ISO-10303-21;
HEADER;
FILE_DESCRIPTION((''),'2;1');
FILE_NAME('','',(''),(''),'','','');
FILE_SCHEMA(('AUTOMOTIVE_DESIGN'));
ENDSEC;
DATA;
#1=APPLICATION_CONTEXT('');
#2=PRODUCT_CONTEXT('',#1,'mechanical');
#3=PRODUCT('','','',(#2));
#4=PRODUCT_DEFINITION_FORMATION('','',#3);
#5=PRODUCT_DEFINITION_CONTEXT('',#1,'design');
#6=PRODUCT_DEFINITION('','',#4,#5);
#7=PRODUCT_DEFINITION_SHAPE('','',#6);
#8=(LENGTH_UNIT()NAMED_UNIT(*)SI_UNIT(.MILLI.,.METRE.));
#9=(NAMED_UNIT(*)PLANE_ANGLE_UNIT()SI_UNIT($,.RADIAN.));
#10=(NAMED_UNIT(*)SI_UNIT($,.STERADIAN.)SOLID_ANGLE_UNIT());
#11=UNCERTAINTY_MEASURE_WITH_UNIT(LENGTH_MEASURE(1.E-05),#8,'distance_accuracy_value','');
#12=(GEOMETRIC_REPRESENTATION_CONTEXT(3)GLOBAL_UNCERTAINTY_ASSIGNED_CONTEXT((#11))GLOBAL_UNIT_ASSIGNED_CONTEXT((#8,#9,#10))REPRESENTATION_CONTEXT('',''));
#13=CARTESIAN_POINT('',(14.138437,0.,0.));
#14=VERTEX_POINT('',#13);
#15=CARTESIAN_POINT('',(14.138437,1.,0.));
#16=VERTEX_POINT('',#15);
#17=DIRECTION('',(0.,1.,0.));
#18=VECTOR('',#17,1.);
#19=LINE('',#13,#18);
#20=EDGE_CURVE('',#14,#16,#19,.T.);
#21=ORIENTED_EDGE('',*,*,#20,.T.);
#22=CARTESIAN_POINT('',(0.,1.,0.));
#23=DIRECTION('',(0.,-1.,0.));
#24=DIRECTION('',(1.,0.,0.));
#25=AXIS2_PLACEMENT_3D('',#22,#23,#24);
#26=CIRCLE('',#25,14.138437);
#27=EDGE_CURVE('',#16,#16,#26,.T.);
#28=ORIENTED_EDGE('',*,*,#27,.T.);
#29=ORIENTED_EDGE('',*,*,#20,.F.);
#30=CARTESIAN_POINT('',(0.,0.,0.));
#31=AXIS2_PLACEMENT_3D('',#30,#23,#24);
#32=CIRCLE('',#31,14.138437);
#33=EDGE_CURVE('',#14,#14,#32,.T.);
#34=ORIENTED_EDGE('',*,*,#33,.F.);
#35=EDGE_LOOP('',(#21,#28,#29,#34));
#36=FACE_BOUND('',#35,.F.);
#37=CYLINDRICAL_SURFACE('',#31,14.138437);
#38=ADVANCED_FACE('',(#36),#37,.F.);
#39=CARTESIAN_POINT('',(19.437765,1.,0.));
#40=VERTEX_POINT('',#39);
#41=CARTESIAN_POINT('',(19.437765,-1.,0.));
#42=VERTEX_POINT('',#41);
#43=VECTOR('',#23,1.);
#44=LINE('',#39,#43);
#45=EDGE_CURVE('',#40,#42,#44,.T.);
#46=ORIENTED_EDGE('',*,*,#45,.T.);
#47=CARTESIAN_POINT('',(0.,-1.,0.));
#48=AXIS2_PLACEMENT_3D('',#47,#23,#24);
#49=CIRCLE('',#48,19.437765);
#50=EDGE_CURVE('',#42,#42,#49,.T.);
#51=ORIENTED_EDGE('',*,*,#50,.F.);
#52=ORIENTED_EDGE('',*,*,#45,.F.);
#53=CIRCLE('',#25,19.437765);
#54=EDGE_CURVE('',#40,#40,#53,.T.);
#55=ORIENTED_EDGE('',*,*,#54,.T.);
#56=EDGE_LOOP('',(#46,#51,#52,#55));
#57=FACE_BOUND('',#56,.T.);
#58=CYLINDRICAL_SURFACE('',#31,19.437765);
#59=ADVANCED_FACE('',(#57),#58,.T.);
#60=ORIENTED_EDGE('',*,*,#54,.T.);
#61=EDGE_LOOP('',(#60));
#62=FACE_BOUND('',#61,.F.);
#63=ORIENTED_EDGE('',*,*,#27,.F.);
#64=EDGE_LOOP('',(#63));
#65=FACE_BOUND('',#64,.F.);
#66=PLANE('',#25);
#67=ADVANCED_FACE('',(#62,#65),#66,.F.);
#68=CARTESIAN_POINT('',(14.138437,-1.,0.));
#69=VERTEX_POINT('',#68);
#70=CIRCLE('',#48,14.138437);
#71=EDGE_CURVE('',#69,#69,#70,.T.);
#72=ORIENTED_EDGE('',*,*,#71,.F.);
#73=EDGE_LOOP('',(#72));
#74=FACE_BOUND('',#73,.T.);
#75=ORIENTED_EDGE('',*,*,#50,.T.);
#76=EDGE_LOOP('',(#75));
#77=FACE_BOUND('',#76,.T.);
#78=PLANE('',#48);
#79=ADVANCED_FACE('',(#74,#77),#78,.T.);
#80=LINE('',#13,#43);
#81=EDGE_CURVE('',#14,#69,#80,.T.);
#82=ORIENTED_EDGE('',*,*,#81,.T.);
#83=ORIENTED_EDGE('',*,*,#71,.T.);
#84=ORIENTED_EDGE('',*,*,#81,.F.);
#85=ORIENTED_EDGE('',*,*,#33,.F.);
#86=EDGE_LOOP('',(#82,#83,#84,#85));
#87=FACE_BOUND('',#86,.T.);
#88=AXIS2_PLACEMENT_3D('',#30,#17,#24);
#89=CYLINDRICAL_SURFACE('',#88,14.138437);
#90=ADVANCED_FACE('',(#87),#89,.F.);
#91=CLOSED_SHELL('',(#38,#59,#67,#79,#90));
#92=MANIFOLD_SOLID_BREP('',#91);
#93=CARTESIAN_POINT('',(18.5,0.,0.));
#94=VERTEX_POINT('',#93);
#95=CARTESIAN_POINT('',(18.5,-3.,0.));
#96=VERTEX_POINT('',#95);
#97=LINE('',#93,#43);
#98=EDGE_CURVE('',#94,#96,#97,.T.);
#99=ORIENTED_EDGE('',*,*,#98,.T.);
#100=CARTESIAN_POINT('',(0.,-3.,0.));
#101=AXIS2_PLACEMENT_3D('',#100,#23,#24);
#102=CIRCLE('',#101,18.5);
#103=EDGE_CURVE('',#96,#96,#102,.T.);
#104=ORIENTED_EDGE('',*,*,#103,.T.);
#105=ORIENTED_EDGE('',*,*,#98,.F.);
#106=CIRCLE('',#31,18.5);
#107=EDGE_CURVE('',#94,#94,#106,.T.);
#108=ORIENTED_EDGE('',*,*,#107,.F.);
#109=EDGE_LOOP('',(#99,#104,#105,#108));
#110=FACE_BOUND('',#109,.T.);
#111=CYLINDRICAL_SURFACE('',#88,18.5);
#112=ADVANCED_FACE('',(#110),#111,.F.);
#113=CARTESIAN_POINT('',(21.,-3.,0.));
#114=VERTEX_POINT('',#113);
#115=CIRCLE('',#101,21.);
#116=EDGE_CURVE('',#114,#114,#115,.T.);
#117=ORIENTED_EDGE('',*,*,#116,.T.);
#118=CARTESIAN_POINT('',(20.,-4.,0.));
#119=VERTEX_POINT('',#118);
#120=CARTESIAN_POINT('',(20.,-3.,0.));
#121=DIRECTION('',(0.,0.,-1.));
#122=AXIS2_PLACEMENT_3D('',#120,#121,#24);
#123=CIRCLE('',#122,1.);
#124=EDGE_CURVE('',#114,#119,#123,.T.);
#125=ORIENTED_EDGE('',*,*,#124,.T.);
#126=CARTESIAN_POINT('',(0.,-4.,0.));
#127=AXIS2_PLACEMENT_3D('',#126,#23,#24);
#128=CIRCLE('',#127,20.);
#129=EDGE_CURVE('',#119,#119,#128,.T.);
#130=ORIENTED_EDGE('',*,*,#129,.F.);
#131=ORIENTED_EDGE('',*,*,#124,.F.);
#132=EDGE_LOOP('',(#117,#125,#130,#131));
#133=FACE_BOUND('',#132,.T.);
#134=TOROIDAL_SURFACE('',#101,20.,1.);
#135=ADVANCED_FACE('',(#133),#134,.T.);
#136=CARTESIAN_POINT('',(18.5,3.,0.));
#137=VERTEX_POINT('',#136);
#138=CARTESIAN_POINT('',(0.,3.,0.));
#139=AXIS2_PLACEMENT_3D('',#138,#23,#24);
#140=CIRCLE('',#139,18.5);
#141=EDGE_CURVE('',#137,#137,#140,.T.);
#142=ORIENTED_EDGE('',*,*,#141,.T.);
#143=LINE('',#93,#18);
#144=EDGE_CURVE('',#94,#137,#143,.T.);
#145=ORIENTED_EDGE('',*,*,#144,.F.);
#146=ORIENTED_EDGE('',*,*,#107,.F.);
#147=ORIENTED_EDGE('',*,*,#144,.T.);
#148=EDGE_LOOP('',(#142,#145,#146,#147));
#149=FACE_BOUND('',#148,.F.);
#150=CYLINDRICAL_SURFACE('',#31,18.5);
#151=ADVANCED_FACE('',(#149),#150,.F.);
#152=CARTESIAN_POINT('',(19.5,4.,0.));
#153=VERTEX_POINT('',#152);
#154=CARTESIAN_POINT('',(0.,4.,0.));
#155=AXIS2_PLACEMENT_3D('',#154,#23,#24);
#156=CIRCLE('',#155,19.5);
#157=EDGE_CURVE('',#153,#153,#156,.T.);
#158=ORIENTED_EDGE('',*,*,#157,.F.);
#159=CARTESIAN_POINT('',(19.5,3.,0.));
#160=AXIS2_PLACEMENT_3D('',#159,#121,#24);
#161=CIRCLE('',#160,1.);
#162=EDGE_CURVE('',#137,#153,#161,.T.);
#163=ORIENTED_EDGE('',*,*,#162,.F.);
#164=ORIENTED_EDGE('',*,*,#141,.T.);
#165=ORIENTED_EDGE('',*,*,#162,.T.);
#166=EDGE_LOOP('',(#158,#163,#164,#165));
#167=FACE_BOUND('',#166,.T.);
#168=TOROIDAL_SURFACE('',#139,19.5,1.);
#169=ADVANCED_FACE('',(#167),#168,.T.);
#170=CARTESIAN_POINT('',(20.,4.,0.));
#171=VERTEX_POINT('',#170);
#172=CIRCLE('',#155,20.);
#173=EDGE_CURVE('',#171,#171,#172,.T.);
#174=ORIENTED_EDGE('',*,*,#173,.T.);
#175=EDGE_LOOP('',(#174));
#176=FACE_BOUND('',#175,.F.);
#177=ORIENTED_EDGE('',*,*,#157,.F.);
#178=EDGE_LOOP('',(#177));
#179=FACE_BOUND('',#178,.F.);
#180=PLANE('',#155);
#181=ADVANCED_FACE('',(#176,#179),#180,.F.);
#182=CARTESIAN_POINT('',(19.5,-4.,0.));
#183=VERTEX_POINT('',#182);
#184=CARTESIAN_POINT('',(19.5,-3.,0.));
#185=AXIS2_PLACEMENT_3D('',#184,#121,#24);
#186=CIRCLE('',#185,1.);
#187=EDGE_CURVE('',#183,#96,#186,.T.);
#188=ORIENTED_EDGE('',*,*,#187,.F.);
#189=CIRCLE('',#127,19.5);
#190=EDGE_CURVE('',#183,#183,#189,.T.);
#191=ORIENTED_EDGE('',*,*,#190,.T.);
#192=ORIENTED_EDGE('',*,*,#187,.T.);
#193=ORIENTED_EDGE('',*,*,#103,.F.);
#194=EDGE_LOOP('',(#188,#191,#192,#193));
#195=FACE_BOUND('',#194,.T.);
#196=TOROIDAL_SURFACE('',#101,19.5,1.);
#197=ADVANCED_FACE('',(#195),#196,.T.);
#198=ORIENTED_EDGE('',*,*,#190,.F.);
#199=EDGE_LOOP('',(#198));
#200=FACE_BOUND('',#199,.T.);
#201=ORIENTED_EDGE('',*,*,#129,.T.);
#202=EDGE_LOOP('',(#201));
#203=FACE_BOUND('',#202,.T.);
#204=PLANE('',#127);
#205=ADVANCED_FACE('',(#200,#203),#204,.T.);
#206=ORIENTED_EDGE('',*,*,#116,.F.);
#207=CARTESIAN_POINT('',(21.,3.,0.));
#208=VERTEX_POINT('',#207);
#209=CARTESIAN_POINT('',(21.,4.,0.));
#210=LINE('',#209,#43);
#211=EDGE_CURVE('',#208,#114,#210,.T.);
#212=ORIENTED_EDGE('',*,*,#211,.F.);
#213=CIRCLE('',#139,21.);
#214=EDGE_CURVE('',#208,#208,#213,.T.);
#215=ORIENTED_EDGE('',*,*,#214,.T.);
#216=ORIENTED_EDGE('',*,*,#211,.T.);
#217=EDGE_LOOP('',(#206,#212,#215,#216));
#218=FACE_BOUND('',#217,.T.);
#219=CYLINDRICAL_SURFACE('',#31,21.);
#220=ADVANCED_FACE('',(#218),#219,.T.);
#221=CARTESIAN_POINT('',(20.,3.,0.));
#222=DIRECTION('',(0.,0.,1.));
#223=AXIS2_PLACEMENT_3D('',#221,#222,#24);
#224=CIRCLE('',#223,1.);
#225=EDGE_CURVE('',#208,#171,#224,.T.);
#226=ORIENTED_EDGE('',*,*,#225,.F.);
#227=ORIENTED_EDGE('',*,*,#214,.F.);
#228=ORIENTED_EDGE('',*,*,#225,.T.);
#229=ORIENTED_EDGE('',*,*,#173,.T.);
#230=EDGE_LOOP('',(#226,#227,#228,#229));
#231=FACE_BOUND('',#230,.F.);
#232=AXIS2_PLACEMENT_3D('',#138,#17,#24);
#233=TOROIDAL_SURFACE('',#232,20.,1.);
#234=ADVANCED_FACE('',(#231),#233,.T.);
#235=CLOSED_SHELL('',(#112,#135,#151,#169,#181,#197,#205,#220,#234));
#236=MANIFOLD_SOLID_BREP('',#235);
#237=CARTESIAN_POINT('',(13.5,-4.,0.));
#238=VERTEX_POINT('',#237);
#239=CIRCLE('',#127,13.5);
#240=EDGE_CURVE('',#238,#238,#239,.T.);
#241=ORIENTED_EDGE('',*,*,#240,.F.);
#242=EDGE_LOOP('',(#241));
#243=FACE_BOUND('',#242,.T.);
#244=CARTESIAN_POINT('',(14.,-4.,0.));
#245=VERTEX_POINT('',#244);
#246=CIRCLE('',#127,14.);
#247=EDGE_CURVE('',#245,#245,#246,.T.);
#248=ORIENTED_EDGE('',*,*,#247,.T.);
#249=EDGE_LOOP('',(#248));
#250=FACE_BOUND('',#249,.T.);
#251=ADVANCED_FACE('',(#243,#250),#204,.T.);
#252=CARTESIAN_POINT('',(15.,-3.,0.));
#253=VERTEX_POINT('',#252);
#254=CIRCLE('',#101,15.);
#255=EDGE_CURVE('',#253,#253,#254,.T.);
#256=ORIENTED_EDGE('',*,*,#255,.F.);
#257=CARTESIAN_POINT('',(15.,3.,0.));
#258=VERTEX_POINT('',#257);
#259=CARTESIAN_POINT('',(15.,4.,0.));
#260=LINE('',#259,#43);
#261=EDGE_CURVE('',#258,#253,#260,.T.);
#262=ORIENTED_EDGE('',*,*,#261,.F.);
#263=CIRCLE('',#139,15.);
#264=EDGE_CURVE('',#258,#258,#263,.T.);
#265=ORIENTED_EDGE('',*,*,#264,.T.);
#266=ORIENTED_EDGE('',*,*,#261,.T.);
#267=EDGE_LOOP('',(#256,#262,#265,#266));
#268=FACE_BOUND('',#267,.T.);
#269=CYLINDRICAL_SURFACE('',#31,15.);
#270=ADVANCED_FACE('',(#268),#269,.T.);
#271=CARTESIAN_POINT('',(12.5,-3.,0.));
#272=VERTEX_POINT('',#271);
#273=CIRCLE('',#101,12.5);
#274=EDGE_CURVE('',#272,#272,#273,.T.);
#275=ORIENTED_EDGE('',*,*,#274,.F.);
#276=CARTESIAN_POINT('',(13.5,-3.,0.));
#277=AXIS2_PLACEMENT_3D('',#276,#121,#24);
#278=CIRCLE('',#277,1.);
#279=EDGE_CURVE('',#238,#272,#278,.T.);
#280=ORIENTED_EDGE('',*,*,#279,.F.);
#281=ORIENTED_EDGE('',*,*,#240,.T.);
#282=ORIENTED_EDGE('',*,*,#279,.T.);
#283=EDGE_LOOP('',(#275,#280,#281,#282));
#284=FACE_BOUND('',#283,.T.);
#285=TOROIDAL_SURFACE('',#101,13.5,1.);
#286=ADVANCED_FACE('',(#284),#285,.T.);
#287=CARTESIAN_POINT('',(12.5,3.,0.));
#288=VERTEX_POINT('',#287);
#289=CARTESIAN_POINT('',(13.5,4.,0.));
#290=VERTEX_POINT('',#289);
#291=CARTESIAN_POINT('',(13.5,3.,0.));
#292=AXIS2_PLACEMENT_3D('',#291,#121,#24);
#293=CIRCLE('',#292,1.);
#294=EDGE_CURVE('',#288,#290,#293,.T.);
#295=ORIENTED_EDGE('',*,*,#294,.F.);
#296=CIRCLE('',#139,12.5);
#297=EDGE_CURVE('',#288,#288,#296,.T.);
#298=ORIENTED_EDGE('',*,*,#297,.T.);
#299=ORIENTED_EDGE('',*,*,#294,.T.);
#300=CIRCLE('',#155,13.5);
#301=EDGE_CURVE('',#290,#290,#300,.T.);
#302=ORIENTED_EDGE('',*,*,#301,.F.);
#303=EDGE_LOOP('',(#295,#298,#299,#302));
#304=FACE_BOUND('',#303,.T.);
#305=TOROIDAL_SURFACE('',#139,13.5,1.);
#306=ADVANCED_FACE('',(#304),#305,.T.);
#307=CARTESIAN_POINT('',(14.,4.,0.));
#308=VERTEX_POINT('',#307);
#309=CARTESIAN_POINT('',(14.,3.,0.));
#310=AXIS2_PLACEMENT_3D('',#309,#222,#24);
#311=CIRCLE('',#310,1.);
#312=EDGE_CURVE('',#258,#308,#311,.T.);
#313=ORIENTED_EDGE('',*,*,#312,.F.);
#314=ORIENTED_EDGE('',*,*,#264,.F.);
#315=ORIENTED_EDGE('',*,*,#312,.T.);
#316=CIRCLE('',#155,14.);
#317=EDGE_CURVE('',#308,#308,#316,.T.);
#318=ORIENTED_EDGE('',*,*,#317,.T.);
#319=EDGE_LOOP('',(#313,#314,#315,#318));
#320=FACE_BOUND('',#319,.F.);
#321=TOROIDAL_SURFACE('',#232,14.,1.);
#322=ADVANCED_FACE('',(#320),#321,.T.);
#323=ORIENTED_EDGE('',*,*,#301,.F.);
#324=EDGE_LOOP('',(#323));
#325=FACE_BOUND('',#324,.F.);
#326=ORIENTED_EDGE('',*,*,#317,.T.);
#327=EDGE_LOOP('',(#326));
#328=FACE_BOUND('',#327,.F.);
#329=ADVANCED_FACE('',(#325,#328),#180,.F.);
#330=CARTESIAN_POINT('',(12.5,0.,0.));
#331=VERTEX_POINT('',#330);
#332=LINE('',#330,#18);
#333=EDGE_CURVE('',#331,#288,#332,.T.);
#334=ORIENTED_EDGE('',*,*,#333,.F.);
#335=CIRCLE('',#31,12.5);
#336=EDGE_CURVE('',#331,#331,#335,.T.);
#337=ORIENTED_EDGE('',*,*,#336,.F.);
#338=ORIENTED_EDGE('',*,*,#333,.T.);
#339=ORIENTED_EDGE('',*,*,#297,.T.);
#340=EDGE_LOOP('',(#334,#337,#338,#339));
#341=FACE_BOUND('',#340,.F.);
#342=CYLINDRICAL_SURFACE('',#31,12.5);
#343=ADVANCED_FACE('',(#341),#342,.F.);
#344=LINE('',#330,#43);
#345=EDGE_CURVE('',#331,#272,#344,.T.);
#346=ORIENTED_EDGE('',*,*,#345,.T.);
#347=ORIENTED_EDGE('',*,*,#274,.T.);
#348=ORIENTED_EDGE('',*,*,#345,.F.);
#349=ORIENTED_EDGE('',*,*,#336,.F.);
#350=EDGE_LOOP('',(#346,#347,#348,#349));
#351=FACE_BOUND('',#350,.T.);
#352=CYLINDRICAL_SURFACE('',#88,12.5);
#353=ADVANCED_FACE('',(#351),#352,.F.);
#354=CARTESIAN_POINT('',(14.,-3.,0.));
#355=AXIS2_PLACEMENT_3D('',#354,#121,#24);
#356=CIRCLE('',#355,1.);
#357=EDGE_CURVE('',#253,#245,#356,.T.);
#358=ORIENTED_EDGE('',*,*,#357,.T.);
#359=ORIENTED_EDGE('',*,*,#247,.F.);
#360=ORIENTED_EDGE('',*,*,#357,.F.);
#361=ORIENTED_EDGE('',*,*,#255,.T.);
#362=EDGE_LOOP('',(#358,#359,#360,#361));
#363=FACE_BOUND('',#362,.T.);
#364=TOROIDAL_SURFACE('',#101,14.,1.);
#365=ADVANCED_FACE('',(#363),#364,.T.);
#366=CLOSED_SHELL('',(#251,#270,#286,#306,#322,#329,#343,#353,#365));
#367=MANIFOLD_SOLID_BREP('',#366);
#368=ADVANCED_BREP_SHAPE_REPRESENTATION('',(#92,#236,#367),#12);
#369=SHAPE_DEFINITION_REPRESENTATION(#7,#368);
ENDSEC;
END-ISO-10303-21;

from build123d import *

# Parameters (mm, degrees)
F0_R          = 21
F0_R_2        = 18.5
F1_DEPTH      = 4
F1_DEPTH_BACK = 4
F2_R          = 15
F2_R_2        = 12.5
F3_DEPTH      = 4
F3_DEPTH_BACK = 4
F5_R          = 1
F5_2_R        = 1
F6_R          = 19.437765
F6_R_2        = 14.138437
F7_DEPTH      = 1
F7_DEPTH_BACK = 1


with BuildPart() as f1:
    # F0 (on Front) → F1 (new body, two sides)
    with BuildSketch(Plane.XZ) as f1_sk:
        Circle(F0_R)
        Circle(F0_R_2, mode=Mode.SUBTRACT)
    extrude(amount=F1_DEPTH)
    extrude(f1_sk.sketch, amount=-F1_DEPTH_BACK)

    # F5
    f5_edges = [f1.edges().sort_by_distance(p)[0] for p in [
        (-21, -4, 0),
        (-21, 4, 0),
        (-18.5, 4, 0),
        (-18.5, -4, 0),
    ]]
    fillet(f5_edges, radius=F5_R)


with BuildPart() as f3:
    # F2 (on Front) → F3 (new body, two sides)
    with BuildSketch(Plane.XZ) as f3_sk:
        Circle(F2_R)
        Circle(F2_R_2, mode=Mode.SUBTRACT)
    extrude(amount=F3_DEPTH)
    extrude(f3_sk.sketch, amount=-F3_DEPTH_BACK)

    # F5#2
    f5_2_edges = [f3.edges().sort_by_distance(p)[0] for p in [
        (-12.5, -4, 0),
        (-15, -4, 0),
        (-12.5, 4, 0),
        (-15, 4, 0),
    ]]
    fillet(f5_2_edges, radius=F5_2_R)


with BuildPart() as f7:
    # F6 (on offset) → F7 (new body, two sides)
    with BuildSketch(Plane.XZ) as f7_sk:
        Circle(F6_R)
        Circle(F6_R_2, mode=Mode.SUBTRACT)
    extrude(amount=F7_DEPTH)
    extrude(f7_sk.sketch, amount=-F7_DEPTH_BACK)


solid = Compound([f1.part, f3.part, f7.part])
